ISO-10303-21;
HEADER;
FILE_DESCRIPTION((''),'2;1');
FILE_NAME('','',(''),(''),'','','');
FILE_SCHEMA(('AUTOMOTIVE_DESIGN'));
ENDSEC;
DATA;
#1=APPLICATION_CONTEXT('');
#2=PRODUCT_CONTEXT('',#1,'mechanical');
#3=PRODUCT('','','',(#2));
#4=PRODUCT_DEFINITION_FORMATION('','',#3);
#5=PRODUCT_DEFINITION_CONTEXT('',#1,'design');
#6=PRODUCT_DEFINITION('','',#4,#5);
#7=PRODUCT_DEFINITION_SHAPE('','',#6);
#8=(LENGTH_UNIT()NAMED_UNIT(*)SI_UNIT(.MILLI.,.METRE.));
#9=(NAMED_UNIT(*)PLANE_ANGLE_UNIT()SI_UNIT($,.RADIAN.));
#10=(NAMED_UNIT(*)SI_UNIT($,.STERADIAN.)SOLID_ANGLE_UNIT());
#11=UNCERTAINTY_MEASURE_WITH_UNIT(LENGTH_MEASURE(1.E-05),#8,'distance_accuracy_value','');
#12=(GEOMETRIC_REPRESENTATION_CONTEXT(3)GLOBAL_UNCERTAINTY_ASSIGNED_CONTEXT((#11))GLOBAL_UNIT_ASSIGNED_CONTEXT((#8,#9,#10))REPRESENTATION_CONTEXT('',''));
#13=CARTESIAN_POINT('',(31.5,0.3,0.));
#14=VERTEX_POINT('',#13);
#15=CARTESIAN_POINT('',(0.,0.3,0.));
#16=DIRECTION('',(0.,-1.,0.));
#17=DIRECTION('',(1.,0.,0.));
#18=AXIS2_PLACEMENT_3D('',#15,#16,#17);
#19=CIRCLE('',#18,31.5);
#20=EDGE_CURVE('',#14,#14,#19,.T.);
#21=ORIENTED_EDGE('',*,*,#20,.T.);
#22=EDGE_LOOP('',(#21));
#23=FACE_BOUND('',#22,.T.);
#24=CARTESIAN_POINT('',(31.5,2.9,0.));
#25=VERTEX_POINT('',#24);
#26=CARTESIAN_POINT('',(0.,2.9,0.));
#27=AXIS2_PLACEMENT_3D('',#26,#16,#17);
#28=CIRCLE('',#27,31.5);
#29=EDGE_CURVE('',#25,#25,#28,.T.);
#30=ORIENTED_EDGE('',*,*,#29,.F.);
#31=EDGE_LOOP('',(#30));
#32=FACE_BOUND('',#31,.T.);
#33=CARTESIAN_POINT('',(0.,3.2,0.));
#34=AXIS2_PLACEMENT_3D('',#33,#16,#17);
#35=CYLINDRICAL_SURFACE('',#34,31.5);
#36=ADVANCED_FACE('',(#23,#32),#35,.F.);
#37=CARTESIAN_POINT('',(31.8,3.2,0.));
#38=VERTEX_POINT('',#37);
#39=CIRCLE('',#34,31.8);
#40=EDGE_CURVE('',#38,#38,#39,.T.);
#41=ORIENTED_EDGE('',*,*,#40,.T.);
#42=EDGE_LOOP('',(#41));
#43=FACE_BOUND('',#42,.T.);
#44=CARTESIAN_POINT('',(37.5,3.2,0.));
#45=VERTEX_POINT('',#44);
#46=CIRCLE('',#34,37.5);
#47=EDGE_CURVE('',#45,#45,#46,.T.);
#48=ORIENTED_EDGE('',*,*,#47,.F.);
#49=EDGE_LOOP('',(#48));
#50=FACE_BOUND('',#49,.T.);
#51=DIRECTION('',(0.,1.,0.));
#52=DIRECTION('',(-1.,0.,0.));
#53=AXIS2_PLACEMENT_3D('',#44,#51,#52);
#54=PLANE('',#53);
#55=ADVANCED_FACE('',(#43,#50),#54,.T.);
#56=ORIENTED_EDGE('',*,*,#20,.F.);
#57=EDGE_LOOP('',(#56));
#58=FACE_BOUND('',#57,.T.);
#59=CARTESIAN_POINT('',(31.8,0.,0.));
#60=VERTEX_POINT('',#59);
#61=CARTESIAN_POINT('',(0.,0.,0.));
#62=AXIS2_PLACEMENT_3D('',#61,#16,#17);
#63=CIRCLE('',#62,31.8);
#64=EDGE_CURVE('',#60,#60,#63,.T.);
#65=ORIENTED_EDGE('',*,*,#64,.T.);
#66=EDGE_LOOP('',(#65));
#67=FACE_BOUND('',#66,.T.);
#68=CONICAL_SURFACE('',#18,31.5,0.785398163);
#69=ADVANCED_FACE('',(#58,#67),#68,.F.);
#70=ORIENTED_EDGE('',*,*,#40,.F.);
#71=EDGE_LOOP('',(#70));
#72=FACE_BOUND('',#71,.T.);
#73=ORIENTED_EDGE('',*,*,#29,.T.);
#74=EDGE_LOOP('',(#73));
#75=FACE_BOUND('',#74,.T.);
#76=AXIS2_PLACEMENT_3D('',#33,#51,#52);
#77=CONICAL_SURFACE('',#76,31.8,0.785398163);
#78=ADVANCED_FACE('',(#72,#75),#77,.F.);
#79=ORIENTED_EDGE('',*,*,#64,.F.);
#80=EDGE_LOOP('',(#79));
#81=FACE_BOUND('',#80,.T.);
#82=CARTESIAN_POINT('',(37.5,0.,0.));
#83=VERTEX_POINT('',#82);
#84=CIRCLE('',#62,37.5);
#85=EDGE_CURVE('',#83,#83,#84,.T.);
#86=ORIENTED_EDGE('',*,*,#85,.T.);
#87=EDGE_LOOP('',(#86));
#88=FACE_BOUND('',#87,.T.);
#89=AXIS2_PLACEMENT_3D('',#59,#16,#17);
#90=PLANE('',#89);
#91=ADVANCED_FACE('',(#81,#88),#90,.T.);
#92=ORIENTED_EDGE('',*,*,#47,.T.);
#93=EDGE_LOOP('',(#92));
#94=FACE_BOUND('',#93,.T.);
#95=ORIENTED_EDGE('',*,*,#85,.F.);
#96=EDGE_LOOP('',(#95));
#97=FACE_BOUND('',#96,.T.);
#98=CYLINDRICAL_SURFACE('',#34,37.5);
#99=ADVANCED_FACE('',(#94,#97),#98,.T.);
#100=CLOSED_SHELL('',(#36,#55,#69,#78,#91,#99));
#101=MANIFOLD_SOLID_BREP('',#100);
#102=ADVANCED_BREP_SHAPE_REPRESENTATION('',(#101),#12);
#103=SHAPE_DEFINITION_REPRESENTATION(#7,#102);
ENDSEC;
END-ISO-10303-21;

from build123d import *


with BuildPart() as part:
    # Sketch1 → Revolve1 (revolve)
    with BuildSketch(Plane.XY):
        Polygon((37.5, 3.2), (31.8, 3.2), (31.5, 2.9), (31.5, 0.3), (31.8, 0), (37.5, 0), align=None)
    revolve(axis=Axis((0, 3.2, 0), (0, -1, 0)))


solid = part.part
